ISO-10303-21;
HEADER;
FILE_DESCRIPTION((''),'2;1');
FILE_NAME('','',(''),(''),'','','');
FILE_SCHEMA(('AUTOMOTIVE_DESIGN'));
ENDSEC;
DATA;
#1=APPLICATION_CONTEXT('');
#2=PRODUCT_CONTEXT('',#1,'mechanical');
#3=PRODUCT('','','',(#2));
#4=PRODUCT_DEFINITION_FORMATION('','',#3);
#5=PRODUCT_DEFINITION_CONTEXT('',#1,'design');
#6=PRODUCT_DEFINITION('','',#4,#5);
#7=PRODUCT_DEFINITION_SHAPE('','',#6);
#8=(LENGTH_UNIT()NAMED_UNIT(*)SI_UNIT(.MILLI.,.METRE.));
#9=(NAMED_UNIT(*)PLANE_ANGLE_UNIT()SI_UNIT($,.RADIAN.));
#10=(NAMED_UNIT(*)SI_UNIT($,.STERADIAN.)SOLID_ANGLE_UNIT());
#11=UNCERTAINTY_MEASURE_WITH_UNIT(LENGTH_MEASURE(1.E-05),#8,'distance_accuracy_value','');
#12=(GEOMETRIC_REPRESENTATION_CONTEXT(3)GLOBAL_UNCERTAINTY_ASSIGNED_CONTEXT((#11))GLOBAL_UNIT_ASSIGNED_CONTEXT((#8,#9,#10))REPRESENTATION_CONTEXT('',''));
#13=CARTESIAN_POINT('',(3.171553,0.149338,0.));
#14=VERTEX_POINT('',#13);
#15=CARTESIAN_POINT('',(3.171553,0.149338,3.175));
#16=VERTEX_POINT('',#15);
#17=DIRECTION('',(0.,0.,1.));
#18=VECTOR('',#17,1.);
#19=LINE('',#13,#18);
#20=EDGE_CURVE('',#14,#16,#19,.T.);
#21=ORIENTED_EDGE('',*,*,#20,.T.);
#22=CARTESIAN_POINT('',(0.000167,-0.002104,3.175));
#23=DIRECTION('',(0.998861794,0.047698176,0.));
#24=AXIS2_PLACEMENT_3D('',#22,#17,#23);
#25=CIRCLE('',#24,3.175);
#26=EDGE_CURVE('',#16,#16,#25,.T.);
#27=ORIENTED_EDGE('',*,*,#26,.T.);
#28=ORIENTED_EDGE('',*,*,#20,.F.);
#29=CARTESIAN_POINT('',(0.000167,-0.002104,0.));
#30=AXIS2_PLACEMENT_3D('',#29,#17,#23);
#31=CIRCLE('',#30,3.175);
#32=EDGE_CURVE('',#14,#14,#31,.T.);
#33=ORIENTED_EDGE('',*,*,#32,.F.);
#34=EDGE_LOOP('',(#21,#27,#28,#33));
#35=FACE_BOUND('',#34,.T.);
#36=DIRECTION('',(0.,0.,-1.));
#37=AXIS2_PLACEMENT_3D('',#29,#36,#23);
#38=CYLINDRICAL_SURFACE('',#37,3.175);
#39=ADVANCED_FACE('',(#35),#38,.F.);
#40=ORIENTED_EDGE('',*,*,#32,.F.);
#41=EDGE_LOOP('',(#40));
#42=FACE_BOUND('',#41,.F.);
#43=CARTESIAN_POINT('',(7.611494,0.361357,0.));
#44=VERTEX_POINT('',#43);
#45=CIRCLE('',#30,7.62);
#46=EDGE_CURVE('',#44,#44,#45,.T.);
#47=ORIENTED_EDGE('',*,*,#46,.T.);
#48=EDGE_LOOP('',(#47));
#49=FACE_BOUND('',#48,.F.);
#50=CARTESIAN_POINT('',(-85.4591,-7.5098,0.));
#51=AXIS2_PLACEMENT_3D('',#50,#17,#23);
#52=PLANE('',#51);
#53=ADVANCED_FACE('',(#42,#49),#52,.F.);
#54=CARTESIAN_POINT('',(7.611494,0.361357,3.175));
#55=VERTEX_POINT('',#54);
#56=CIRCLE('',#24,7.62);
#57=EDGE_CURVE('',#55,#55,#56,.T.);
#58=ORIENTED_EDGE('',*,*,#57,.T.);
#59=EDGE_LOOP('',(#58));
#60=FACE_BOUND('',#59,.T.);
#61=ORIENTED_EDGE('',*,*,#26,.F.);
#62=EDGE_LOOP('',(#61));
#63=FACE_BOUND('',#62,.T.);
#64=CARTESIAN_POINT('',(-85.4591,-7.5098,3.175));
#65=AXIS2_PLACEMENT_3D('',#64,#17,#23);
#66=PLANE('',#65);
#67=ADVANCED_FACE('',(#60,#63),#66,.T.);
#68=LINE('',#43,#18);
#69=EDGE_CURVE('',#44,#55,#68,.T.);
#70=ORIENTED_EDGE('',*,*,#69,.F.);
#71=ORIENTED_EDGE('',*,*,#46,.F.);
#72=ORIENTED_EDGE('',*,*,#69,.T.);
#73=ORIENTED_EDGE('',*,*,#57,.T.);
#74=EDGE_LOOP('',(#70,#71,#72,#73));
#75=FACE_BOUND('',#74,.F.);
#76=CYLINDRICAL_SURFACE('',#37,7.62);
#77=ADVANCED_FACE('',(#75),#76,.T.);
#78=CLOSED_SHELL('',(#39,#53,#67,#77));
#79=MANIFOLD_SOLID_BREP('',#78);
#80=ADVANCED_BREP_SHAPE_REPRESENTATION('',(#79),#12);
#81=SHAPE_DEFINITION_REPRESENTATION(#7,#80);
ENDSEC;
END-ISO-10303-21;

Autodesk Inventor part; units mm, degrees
ref_plane "YZ Plane" through (0, 0, 0) normal (1, 0, 0) x (0, 1, 0)
ref_plane "XZ Plane" through (0, 0, 0) normal (0, 1, 0) x (-1, 0, 0)
ref_plane "XY Plane" through (0, 0, 0) normal (0, 0, 1) x (1, 0, 0)
ref_plane "Work Plane1" through (-85.4591, -7.5098, 0) normal (0, 0, 1) x (0.9989, 0.0477, 0)
sketch "Sketch1" plane through (-85.4591, -7.5098, 0) normal (0, 0, 1) x (0.9989, 0.0477, 0)
  circle A0 centre (85.7201, 3.4229) radius 3.175 projected
  circle A1 centre (85.7201, 3.4229) radius 7.62
  point P0 (85.7201, 3.4229)
  dimension "d0" = 15.24
extrude "Extrusion1" add sketch "Sketch1" along normal blind 3.175
properties part number "gearSpacerSmallOutputStage"
